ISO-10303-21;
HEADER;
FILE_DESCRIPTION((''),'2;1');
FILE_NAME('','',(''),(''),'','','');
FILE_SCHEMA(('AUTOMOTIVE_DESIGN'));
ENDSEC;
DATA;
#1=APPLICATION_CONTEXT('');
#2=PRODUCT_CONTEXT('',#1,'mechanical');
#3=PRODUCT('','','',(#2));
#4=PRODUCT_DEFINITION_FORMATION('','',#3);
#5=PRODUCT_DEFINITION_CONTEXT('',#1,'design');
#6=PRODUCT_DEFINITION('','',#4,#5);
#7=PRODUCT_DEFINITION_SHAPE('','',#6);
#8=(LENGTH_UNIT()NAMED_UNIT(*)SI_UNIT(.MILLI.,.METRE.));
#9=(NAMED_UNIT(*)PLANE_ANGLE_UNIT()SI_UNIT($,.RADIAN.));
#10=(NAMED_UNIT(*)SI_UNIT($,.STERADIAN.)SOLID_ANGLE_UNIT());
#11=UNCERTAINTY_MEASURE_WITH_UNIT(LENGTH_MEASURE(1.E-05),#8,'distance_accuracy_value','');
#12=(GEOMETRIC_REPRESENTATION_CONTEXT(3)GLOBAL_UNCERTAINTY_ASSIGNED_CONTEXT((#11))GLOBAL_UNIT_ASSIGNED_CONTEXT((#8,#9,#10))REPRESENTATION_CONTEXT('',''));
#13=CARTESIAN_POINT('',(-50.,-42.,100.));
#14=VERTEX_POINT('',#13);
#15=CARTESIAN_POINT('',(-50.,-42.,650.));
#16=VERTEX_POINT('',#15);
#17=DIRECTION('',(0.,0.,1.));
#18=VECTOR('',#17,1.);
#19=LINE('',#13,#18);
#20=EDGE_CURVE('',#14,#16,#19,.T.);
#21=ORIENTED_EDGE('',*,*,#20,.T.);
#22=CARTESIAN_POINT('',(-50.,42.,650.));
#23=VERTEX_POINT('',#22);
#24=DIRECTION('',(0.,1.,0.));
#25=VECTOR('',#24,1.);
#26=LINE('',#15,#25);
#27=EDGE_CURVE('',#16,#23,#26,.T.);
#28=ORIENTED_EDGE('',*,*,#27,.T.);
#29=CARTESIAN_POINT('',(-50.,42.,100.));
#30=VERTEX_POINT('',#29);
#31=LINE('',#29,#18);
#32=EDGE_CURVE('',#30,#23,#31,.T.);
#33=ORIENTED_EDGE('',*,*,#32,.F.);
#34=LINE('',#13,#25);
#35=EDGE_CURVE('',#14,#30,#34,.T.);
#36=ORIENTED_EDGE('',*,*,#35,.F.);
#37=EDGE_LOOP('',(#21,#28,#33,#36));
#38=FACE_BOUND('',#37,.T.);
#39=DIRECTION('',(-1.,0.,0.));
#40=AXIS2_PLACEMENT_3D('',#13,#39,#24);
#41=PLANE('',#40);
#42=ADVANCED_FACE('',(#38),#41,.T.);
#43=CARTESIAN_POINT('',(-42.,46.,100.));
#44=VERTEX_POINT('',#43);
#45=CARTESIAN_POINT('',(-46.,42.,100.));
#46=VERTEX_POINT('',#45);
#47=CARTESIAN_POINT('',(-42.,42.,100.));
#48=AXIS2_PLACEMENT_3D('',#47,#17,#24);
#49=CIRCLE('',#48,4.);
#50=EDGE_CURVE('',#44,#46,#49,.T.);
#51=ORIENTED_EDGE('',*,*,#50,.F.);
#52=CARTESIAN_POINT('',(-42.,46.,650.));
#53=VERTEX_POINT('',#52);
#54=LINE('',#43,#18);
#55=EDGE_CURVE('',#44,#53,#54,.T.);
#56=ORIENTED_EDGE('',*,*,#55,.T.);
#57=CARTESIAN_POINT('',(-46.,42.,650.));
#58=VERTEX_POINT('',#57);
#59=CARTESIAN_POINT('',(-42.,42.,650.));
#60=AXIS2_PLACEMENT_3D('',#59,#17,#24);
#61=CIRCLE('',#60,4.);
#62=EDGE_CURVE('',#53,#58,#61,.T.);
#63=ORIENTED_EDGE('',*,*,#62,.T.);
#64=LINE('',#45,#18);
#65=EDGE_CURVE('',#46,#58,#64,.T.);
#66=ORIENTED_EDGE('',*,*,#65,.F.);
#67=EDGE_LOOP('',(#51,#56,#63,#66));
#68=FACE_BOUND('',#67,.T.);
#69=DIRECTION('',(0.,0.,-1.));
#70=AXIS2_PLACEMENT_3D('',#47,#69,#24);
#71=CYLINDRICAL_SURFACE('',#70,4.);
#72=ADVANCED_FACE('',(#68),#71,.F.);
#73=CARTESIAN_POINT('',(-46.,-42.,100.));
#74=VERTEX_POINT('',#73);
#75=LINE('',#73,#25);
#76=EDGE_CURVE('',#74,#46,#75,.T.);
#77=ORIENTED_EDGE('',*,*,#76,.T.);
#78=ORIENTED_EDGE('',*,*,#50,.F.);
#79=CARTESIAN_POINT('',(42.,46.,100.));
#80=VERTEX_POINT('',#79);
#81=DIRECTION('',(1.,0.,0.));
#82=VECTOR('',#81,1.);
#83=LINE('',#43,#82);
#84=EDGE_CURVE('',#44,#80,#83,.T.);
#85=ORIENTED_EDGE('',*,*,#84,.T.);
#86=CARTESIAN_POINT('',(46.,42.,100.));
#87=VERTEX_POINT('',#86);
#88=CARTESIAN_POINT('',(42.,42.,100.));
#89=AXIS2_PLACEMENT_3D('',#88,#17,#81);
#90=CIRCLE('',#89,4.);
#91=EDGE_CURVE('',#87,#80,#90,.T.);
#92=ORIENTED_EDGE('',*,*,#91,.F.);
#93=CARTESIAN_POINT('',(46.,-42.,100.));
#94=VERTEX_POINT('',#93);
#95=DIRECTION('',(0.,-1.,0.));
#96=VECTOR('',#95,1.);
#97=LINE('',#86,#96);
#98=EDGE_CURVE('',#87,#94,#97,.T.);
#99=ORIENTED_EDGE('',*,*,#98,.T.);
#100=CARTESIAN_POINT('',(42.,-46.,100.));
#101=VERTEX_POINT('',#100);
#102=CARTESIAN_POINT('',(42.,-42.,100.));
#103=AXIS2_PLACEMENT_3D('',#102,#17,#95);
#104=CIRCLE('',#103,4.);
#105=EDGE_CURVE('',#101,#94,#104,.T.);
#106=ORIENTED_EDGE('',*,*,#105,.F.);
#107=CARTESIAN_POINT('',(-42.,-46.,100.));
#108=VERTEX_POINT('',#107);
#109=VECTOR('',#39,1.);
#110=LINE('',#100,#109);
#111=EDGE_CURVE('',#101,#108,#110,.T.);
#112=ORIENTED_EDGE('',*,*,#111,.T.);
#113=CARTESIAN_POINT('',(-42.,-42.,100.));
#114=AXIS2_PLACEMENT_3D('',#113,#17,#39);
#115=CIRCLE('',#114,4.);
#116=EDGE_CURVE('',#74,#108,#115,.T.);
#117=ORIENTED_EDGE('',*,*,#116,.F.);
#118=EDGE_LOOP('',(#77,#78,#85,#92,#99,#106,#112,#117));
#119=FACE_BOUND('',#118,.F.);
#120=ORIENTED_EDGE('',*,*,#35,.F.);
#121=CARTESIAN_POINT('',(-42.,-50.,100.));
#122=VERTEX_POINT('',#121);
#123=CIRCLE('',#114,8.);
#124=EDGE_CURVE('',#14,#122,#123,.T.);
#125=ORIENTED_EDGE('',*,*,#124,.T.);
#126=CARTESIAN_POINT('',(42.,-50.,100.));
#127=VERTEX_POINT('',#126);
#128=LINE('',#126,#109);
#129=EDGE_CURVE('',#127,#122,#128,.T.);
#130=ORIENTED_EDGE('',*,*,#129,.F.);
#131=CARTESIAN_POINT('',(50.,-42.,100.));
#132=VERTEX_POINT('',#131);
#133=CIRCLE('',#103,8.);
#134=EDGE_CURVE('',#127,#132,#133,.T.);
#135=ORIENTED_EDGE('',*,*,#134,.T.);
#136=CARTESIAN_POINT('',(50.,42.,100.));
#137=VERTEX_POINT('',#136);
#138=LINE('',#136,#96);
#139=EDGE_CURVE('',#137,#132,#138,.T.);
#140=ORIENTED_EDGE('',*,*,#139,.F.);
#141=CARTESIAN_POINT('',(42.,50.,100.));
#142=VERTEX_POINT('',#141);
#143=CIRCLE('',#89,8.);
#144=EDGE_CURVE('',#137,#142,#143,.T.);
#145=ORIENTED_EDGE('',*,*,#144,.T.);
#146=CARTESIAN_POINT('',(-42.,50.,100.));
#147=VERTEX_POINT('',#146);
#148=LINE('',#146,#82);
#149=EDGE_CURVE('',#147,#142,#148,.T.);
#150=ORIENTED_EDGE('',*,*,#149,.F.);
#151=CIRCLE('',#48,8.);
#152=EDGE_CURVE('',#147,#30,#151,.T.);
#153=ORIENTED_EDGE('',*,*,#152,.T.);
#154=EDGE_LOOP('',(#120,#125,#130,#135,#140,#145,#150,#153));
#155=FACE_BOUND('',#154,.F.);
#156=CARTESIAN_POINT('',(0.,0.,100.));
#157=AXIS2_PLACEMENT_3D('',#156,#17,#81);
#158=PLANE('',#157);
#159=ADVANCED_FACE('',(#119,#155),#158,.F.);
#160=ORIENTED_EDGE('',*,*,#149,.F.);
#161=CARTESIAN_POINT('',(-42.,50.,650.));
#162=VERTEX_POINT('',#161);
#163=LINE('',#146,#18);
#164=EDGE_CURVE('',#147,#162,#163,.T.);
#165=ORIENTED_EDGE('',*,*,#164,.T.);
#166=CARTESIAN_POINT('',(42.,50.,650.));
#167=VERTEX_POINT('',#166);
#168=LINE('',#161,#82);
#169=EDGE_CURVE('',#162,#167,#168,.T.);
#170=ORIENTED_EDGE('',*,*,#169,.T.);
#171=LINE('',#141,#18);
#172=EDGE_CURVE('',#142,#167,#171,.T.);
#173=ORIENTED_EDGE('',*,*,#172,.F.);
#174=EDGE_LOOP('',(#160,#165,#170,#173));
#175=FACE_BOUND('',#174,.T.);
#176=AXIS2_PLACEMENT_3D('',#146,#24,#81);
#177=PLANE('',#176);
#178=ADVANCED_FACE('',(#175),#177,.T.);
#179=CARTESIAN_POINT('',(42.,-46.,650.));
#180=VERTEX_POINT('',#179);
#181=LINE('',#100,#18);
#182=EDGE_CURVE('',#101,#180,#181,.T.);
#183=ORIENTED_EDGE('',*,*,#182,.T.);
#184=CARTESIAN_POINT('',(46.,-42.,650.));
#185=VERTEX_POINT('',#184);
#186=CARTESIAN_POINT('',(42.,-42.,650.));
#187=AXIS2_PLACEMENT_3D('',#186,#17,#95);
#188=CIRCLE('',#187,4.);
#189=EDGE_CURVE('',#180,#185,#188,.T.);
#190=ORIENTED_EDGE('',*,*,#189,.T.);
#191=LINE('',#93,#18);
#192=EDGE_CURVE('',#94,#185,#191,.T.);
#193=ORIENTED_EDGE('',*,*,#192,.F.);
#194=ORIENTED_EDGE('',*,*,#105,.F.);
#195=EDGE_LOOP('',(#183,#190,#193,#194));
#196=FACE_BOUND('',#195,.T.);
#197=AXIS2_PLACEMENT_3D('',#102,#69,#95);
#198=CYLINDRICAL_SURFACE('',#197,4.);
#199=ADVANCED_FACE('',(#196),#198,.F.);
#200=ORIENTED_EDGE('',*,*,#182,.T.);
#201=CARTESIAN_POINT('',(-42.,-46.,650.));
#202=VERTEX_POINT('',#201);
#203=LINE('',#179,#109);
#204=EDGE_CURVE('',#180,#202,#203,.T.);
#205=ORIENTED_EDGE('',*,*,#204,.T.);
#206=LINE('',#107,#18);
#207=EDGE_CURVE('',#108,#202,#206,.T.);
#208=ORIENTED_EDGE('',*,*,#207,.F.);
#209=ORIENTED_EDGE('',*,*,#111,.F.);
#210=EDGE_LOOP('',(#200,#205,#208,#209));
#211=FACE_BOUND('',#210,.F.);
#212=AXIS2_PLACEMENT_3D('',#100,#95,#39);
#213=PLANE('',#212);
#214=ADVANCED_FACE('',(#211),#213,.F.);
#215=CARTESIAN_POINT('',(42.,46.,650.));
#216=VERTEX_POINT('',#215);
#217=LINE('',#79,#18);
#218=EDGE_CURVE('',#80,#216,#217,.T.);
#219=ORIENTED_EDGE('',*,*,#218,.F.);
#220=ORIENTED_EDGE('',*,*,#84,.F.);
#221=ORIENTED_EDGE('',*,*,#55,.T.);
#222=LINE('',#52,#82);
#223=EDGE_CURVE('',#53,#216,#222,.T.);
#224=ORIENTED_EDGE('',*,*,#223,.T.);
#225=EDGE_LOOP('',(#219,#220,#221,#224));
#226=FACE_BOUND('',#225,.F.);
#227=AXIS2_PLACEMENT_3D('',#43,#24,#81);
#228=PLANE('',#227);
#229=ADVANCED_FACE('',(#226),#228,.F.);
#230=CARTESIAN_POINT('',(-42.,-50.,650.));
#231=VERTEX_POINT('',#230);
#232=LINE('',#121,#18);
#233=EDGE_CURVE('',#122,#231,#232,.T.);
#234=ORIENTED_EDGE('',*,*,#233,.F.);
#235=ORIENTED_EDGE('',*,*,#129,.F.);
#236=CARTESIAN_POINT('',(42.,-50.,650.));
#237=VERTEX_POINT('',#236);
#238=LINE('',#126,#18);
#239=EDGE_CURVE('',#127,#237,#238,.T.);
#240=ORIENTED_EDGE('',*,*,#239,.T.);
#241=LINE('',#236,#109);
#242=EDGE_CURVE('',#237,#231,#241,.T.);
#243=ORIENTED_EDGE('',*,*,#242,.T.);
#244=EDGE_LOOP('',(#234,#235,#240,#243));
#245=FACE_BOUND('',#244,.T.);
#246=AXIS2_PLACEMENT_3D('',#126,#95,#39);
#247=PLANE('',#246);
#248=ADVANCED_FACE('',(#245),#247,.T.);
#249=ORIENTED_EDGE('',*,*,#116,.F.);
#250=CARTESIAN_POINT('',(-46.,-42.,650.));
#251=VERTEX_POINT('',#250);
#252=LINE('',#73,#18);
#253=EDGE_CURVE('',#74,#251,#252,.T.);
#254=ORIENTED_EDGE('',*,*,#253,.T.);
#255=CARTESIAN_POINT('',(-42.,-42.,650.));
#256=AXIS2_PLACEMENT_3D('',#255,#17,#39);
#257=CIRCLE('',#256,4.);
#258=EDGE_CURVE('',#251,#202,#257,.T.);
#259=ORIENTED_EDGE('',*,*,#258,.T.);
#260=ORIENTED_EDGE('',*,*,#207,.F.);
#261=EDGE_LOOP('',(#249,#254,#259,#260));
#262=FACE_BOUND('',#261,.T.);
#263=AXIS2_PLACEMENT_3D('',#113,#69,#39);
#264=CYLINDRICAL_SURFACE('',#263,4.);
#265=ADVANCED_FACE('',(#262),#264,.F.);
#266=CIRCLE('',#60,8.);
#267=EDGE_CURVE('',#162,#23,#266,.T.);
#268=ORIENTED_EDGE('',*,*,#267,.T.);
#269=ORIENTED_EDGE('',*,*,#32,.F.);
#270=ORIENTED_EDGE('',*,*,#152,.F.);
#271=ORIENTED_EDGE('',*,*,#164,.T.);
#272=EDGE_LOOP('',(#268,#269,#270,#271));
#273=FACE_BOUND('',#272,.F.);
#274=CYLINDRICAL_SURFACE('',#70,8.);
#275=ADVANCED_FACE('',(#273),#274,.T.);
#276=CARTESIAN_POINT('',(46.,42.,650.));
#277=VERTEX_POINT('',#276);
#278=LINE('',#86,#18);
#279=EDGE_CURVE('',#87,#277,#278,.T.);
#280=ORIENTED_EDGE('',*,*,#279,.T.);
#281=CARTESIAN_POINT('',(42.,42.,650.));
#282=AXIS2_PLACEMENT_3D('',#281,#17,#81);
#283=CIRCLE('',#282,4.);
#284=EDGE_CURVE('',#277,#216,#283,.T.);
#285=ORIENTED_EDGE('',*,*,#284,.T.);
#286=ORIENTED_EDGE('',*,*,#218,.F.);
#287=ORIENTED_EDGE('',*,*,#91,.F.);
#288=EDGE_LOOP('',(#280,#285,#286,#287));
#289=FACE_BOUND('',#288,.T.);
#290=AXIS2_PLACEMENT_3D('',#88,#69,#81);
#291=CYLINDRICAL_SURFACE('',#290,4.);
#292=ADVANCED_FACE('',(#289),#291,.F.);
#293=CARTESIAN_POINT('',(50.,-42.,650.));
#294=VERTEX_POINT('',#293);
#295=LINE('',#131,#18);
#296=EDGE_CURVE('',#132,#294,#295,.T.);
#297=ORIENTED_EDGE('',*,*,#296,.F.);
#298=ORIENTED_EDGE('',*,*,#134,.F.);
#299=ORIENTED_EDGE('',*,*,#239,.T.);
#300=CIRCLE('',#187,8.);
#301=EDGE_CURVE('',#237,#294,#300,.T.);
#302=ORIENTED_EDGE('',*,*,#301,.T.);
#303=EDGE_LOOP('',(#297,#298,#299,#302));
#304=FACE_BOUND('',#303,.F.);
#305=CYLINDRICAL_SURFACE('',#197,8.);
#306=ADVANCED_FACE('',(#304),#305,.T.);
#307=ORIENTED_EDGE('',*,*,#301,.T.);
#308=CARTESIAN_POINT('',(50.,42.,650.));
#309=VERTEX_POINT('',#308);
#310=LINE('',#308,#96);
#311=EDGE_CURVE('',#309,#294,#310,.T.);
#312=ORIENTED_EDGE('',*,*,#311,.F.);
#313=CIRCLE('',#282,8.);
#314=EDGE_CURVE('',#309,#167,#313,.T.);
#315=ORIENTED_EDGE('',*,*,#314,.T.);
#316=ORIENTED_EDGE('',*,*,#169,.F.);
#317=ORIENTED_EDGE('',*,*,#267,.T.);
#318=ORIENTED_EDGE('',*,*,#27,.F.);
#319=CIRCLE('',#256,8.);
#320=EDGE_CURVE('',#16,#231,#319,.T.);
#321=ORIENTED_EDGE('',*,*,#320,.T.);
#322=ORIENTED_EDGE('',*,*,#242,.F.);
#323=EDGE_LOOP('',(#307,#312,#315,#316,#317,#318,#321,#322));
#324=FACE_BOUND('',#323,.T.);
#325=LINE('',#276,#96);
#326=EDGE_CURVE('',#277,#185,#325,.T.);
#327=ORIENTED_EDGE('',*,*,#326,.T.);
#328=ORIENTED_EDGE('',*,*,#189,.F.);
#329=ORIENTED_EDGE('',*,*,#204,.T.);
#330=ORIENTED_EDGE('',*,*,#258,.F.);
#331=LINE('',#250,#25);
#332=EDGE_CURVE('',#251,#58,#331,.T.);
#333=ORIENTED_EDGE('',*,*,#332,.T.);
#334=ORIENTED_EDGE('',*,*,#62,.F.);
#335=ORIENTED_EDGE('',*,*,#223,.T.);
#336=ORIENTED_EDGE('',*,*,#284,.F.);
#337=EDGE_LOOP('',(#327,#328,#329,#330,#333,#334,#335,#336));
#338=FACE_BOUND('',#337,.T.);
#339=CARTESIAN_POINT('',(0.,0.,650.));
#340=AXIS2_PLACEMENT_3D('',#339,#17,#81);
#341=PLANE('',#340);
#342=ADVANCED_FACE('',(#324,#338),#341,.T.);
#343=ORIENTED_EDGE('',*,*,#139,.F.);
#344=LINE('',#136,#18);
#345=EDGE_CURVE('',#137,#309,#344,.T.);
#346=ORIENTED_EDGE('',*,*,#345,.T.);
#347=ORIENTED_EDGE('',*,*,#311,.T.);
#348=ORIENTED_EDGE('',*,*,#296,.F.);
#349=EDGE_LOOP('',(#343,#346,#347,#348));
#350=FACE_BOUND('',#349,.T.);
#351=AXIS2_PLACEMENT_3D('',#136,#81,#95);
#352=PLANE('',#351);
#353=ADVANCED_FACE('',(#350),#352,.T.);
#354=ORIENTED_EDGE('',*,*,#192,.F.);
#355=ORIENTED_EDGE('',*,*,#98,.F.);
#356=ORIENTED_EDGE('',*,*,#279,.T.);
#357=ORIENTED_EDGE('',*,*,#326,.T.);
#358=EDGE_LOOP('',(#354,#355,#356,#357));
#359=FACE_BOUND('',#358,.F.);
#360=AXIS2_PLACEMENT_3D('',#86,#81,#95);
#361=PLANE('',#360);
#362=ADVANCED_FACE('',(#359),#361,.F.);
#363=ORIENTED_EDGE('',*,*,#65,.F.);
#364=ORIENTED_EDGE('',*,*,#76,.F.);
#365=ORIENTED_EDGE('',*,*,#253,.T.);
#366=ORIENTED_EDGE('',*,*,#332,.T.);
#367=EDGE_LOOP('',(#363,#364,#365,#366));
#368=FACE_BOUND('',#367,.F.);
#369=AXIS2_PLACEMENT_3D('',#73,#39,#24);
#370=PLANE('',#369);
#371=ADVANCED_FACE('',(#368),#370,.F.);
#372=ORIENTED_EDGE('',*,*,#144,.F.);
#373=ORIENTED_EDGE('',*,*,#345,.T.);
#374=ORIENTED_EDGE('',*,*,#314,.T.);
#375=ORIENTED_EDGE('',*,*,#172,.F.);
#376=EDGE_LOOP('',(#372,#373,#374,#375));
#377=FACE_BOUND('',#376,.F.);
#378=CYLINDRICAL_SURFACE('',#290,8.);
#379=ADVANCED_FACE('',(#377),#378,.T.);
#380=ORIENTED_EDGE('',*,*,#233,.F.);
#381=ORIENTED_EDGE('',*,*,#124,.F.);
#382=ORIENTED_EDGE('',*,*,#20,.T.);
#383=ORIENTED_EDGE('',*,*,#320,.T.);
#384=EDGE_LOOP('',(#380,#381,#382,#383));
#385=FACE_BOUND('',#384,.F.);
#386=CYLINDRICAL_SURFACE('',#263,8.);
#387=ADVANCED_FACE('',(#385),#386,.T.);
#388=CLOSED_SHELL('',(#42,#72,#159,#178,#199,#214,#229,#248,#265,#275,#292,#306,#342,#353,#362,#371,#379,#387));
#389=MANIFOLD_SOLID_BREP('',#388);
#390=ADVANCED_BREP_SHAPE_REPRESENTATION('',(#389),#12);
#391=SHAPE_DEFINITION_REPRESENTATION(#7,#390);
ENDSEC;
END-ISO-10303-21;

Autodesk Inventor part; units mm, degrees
ref_plane "YZ Plane" through (0, 0, 0) normal (1, 0, 0) x (0, 1, 0)
ref_plane "Start Plane" through (0, 0, 100) normal (0, 0, 1) x (1, 0, 0)
ref_plane "End Plane" through (0, 0, 650) normal (0, 0, 1) x (1, 0, 0)
sketch "Sketch" plane through (0, 0, 0) normal (0, 0, 1) x (1, 0, 0)
  line L0 (-50, -42) -> (-50, 42)
  line L1 (-42, 50) -> (42, 50)
  line L2 (50, 42) -> (50, -42)
  line L3 (42, -50) -> (-42, -50)
  arc A0 (-50, -42) -> (-42, -50) centre (-42, -42) ccw
  arc A1 (50, 42) -> (42, 50) centre (42, 42) ccw
  arc A2 (-42, 50) -> (-50, 42) centre (-42, 42) ccw
  arc A3 (42, -50) -> (50, -42) centre (42, -42) ccw
  arc A4 (-42, 46) -> (-46, 42) centre (-42, 42) ccw
  line L4 (-42, 46) -> (42, 46)
  arc A5 (46, 42) -> (42, 46) centre (42, 42) ccw
  line L5 (46, 42) -> (46, -42)
  arc A6 (42, -46) -> (46, -42) centre (42, -42) ccw
  line L6 (42, -46) -> (-42, -46)
  arc A7 (-46, -42) -> (-42, -46) centre (-42, -42) ccw
  line L7 (-46, -42) -> (-46, 42)
  line L8 (0, 72.3196) -> (0, -72.3196) construction
  line L9 (-72.3196, 0) -> (72.3196, 0) construction
  dimension "d7" = 8
  dimension "d9" = 100
  dimension "d11" = 100
  dimension "d12" = 4
  dimension "d15" = 50
  dimension "d16" = 50
extrude "Body" add sketch "Sketch" along normal up to surface (550 mm away) from surface at 100
sketch "Sketch3" plane through (0, 0, 0) normal (0, 0, 1) x (1, 0, 0)
  line L0 (0, 0) -> (10, 0)
ref_plane "Work Plane3" through (0, 0, 0) normal (0, -1, 0) x (1, 0, 0)
sketch "Sketch4" plane through (0, 0, 0) normal (0, -1, 0) x (1, 0, 0)
  line L0 (-2, 100) -> (12, 100) projected
  line L1 (-2, 650) -> (12, 650) projected
  dimension "d18" = 550
equation "\"d7\" = G_IR"
equation "\"d9\" = G_W"
equation "\"d11\" = G_H"
equation "\"d12\" = G_T"
equation "\"d15\" = 0.5 * d9"
equation "\"d16\" = 0.5 * d11"
equation "\"d3\" = G_L"
equation "\"G_W\" = 100"
equation "\"G_H\" = 100"
equation "\"G_T\" = 4"
equation "\"G_IR\" = 8"
equation "\"G_L\" = d18"
properties part number "ISO 10799-2 - 100x100x4 - 550" material "Steel, Mild"
